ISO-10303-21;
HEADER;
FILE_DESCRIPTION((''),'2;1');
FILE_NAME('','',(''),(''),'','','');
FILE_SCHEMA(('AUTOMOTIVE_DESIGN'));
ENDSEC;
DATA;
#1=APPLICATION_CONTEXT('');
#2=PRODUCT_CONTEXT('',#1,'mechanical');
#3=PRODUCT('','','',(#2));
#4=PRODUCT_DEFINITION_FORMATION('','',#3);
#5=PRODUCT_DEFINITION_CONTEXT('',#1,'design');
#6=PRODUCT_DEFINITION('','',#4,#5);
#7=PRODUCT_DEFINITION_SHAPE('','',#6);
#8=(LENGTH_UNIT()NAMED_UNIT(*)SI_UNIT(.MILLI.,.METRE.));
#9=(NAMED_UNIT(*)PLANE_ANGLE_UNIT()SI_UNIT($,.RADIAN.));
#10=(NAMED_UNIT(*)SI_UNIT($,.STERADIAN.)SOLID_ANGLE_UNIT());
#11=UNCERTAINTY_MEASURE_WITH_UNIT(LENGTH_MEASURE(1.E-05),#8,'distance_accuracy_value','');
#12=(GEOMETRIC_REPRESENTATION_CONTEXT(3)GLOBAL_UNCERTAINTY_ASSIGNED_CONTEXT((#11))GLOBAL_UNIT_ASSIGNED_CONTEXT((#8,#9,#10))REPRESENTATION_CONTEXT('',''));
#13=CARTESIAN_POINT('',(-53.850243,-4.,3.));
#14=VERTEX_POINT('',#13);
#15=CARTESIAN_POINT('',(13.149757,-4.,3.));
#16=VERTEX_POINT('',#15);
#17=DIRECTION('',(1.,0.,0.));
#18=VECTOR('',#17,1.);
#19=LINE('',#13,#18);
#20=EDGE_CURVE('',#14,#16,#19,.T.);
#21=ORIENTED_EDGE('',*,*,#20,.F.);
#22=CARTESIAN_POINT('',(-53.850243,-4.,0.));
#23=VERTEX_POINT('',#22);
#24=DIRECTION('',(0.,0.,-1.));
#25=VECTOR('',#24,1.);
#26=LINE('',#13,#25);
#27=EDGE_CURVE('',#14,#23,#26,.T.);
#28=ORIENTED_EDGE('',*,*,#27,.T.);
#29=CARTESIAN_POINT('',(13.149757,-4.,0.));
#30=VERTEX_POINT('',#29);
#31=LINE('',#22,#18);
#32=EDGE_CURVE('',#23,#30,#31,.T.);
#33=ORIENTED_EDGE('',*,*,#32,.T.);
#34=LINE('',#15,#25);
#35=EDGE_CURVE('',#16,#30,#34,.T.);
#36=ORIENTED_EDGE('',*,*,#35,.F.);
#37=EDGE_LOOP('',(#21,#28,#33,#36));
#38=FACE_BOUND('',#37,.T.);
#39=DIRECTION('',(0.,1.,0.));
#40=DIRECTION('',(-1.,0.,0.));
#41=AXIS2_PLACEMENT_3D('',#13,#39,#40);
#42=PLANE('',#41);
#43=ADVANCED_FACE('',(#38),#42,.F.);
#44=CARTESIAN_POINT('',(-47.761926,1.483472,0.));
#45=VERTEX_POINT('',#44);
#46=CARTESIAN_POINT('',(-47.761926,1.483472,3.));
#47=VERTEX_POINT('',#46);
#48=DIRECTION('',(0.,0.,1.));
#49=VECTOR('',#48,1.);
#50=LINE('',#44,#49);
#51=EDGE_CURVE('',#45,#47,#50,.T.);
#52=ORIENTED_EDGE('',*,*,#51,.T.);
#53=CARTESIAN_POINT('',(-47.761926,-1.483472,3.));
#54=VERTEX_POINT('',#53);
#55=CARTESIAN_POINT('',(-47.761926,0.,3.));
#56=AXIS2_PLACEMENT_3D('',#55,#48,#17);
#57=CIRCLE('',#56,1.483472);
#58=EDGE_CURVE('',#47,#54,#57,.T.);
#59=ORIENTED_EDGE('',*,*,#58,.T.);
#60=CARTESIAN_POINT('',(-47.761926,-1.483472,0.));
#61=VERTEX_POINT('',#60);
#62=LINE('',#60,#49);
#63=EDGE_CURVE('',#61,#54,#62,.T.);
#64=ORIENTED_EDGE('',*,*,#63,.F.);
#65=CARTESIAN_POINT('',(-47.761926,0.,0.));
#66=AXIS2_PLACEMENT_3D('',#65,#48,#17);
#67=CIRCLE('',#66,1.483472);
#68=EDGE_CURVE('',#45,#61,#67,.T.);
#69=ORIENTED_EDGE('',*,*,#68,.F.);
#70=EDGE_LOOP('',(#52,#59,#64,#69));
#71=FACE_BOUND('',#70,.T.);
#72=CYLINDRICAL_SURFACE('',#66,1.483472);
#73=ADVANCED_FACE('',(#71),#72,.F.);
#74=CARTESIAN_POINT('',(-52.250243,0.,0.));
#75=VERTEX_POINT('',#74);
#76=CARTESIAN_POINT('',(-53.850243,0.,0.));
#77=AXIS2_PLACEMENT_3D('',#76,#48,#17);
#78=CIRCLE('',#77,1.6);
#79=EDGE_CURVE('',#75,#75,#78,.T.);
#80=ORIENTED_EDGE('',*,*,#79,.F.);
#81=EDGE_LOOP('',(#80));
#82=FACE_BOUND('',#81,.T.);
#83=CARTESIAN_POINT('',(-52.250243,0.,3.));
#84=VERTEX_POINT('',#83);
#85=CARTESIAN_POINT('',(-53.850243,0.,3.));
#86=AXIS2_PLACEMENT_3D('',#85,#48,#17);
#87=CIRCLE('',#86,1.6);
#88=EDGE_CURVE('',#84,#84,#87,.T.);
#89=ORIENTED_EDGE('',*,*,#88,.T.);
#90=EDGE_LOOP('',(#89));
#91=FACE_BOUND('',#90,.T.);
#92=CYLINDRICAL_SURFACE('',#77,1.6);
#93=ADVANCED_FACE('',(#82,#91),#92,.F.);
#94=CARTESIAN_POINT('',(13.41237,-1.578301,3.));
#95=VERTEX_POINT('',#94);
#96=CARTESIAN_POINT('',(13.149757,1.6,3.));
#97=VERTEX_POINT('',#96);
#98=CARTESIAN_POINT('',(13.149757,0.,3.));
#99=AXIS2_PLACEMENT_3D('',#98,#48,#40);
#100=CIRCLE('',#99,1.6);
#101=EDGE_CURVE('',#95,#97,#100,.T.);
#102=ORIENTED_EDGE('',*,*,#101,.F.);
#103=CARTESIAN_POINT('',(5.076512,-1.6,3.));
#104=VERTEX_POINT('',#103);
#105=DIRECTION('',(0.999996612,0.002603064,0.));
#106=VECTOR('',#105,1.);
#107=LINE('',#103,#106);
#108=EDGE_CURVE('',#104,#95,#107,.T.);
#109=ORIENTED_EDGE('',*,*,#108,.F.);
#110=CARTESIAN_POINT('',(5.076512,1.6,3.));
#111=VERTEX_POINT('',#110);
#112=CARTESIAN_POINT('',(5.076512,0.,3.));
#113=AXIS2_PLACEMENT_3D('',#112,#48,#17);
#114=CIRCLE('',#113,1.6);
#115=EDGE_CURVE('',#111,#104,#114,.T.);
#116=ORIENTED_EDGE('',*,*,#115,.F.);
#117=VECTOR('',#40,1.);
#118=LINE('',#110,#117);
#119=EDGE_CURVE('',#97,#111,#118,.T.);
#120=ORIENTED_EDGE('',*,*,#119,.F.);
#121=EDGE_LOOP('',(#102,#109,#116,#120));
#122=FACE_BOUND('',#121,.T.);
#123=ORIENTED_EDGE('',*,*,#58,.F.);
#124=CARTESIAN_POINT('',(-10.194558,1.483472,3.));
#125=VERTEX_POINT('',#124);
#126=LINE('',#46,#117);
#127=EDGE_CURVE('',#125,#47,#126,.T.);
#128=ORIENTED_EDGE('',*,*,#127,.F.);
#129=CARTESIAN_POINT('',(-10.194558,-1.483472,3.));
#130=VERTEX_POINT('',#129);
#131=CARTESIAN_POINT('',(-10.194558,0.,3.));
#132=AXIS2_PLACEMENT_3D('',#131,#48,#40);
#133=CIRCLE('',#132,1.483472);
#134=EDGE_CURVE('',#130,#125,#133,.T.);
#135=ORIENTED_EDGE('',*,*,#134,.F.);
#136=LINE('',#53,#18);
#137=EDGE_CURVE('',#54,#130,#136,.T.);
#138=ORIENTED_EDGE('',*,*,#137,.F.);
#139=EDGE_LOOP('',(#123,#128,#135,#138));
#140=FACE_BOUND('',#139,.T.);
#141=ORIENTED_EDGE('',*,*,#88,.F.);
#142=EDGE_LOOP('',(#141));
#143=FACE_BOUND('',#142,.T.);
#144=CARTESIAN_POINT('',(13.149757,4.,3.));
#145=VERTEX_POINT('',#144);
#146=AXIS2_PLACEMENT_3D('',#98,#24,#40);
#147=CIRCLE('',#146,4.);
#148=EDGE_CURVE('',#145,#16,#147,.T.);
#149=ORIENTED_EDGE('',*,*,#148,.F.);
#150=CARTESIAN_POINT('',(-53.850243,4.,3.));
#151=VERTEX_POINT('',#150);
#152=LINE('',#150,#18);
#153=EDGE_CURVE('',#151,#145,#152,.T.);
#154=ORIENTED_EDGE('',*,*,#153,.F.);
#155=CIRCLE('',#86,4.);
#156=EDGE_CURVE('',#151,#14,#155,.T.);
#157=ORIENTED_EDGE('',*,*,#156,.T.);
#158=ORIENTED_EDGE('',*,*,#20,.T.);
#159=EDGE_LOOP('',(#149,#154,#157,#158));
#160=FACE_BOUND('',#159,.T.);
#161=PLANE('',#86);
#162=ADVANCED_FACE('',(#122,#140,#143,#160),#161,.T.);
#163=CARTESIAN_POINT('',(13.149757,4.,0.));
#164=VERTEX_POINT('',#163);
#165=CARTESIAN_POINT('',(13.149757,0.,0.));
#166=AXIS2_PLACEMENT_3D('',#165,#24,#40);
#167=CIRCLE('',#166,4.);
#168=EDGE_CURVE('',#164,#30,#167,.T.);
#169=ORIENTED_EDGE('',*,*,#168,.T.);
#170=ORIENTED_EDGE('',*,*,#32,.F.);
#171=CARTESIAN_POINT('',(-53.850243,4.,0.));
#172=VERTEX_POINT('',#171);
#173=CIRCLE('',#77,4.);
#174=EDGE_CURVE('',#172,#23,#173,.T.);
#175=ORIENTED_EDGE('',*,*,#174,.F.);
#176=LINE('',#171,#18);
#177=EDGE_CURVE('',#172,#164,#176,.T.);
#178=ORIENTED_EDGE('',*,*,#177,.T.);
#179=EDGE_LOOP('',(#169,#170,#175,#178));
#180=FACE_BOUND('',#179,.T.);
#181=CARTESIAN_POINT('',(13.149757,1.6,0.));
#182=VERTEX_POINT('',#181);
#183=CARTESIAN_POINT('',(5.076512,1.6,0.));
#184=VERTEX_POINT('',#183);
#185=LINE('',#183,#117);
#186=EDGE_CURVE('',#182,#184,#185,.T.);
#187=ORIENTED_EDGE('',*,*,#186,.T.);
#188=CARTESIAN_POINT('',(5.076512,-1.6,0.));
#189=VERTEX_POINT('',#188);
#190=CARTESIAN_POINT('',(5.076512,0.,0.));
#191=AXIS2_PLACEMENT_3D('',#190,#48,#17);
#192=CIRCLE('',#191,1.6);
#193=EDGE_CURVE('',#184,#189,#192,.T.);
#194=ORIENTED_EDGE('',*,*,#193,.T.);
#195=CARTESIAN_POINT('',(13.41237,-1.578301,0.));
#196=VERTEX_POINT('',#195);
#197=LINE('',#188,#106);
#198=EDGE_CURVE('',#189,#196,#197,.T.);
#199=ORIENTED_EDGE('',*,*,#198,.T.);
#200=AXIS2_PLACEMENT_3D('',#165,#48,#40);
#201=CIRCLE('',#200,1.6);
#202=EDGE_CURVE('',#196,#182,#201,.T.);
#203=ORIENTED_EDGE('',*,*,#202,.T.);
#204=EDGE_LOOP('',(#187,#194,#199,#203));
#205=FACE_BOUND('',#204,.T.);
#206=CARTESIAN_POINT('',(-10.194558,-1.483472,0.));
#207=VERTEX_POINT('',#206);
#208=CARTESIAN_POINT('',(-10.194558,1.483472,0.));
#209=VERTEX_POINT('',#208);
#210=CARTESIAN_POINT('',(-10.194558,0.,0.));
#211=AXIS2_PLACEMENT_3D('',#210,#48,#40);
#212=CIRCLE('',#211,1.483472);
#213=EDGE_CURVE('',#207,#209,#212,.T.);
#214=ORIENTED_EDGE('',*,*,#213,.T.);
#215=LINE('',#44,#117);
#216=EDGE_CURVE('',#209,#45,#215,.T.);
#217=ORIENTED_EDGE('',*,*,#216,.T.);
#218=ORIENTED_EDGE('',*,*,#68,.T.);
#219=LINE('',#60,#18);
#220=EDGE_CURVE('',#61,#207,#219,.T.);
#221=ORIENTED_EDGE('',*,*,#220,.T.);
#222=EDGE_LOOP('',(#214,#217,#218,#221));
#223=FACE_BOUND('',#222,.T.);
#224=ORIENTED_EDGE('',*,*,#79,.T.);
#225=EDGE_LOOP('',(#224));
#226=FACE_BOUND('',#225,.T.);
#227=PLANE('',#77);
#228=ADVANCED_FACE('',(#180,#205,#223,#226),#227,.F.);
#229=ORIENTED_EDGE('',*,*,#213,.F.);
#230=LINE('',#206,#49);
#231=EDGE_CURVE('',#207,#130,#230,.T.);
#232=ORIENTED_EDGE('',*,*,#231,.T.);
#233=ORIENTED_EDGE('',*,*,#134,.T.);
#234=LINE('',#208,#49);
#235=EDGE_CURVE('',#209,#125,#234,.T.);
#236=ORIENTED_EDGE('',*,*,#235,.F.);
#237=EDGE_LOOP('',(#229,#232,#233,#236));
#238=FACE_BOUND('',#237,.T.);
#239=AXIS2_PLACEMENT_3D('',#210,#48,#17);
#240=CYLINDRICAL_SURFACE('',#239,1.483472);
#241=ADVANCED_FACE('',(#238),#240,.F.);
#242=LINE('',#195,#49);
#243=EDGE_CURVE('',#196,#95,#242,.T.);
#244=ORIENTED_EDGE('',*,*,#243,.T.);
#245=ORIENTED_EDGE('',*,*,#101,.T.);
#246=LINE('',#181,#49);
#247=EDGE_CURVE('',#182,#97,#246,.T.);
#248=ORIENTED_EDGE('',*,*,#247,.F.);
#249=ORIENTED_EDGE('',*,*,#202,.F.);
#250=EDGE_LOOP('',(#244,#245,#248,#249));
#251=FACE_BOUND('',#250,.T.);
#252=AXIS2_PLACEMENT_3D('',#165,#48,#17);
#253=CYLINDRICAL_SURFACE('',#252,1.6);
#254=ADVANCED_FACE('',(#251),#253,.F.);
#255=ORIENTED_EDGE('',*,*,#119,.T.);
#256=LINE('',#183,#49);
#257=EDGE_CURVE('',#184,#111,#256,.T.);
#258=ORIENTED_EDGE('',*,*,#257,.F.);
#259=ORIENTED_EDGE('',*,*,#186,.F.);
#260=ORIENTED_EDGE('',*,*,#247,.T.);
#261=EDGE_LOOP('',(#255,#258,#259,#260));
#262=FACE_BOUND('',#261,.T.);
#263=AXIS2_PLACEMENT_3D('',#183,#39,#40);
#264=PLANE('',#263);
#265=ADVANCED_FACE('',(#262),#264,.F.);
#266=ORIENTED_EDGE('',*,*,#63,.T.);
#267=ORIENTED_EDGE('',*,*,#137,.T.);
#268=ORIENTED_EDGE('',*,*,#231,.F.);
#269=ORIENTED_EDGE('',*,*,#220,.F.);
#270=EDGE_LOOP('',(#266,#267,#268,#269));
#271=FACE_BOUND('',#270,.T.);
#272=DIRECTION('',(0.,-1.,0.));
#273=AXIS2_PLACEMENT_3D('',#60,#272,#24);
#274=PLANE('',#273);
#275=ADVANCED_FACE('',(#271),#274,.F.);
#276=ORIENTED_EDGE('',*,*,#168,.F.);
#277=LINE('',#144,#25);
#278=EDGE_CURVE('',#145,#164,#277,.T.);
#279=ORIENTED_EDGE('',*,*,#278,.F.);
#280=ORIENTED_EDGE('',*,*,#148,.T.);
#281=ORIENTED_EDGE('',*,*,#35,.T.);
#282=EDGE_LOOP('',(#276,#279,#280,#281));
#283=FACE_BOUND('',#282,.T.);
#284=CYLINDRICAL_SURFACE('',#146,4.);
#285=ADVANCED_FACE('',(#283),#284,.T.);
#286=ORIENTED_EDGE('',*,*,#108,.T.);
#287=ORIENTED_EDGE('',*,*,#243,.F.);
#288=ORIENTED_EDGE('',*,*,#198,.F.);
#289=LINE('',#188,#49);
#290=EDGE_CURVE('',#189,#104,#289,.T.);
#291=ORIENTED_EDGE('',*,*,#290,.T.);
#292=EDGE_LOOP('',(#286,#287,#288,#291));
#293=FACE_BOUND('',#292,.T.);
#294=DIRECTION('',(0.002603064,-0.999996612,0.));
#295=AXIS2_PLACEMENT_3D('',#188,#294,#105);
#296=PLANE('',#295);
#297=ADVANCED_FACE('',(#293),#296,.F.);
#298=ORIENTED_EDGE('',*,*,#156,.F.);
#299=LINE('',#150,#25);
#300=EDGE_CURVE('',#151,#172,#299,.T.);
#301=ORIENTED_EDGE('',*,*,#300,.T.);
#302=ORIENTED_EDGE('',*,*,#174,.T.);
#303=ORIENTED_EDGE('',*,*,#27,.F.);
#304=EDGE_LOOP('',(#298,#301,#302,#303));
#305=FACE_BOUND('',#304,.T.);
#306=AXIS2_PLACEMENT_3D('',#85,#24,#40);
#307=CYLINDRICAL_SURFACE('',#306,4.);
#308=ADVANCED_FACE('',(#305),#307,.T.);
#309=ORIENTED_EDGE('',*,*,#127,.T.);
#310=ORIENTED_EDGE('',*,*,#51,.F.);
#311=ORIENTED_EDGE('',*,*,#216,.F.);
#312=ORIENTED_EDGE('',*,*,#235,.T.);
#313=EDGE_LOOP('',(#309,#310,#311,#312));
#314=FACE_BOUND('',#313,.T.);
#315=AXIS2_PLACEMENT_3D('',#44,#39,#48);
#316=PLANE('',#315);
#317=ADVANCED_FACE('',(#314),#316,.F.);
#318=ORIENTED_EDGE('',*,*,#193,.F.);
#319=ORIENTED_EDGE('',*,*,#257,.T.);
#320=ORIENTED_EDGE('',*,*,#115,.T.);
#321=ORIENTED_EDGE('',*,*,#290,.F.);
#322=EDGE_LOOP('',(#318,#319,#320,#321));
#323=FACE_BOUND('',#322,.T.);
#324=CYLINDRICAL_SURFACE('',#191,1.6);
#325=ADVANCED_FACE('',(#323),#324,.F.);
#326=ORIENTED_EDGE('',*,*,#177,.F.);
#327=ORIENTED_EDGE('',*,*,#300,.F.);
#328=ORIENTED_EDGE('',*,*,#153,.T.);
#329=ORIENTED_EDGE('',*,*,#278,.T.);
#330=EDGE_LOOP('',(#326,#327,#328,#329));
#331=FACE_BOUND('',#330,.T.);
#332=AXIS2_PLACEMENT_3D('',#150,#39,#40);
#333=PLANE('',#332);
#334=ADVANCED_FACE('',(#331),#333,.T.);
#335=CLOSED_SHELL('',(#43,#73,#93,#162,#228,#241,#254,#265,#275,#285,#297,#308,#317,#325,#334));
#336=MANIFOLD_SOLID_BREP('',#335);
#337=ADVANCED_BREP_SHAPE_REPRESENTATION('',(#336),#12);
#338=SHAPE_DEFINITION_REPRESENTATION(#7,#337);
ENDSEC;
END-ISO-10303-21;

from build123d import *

# Parameters (mm, degrees)
EXTRUDE_1_DEPTH     = 3
SKETCH_7_R          = 1.6
CUT_EXTRUDE_1_DEPTH = 3


with BuildPart() as part:
    # 草图1 → 凸台-拉伸1 (new body)
    with BuildSketch(Plane.XY):
        with BuildLine():
            Line((-53.850242828, 4), (13.149757172, 4))
            ThreePointArc((13.149757172, 4), (17.149757172, 0), (13.149757172, -4))
            Line((13.149757172, -4), (-53.850242828, -4))
            ThreePointArc((-53.850242828, -4), (-57.850242828, 0), (-53.850242828, 4))
        make_face()
    extrude(amount=EXTRUDE_1_DEPTH)

    # 草图7 → 切除-拉伸1 (cut)
    with BuildSketch(Plane.XY.offset(3)):
        with Locations((-53.850242828, 0)):
            Circle(SKETCH_7_R)
        with BuildLine():
            Line((-47.761926325, 1.483471582), (-10.194558278, 1.483471582))
            ThreePointArc((-10.194558278, 1.483471582), (-8.711086696, 0), (-10.194558278, -1.483471582))
            Line((-10.194558278, -1.483471582), (-47.761926325, -1.483471582))
            ThreePointArc((-47.761926325, -1.483471582), (-49.245397907, 0), (-47.761926325, 1.483471582))
        make_face()
        with BuildLine():
            Line((5.076512497, 1.6), (13.149757172, 1.6))
            ThreePointArc((13.149757172, 1.6), (14.744323235, 0.131753831), (13.412369906, -1.57830116))
            Line((13.412369906, -1.57830116), (5.076512497, -1.6))
            ThreePointArc((5.076512497, -1.6), (3.476512497, 0), (5.076512497, 1.6))
        make_face()
    extrude(amount=-CUT_EXTRUDE_1_DEPTH, mode=Mode.SUBTRACT)


solid = part.part
